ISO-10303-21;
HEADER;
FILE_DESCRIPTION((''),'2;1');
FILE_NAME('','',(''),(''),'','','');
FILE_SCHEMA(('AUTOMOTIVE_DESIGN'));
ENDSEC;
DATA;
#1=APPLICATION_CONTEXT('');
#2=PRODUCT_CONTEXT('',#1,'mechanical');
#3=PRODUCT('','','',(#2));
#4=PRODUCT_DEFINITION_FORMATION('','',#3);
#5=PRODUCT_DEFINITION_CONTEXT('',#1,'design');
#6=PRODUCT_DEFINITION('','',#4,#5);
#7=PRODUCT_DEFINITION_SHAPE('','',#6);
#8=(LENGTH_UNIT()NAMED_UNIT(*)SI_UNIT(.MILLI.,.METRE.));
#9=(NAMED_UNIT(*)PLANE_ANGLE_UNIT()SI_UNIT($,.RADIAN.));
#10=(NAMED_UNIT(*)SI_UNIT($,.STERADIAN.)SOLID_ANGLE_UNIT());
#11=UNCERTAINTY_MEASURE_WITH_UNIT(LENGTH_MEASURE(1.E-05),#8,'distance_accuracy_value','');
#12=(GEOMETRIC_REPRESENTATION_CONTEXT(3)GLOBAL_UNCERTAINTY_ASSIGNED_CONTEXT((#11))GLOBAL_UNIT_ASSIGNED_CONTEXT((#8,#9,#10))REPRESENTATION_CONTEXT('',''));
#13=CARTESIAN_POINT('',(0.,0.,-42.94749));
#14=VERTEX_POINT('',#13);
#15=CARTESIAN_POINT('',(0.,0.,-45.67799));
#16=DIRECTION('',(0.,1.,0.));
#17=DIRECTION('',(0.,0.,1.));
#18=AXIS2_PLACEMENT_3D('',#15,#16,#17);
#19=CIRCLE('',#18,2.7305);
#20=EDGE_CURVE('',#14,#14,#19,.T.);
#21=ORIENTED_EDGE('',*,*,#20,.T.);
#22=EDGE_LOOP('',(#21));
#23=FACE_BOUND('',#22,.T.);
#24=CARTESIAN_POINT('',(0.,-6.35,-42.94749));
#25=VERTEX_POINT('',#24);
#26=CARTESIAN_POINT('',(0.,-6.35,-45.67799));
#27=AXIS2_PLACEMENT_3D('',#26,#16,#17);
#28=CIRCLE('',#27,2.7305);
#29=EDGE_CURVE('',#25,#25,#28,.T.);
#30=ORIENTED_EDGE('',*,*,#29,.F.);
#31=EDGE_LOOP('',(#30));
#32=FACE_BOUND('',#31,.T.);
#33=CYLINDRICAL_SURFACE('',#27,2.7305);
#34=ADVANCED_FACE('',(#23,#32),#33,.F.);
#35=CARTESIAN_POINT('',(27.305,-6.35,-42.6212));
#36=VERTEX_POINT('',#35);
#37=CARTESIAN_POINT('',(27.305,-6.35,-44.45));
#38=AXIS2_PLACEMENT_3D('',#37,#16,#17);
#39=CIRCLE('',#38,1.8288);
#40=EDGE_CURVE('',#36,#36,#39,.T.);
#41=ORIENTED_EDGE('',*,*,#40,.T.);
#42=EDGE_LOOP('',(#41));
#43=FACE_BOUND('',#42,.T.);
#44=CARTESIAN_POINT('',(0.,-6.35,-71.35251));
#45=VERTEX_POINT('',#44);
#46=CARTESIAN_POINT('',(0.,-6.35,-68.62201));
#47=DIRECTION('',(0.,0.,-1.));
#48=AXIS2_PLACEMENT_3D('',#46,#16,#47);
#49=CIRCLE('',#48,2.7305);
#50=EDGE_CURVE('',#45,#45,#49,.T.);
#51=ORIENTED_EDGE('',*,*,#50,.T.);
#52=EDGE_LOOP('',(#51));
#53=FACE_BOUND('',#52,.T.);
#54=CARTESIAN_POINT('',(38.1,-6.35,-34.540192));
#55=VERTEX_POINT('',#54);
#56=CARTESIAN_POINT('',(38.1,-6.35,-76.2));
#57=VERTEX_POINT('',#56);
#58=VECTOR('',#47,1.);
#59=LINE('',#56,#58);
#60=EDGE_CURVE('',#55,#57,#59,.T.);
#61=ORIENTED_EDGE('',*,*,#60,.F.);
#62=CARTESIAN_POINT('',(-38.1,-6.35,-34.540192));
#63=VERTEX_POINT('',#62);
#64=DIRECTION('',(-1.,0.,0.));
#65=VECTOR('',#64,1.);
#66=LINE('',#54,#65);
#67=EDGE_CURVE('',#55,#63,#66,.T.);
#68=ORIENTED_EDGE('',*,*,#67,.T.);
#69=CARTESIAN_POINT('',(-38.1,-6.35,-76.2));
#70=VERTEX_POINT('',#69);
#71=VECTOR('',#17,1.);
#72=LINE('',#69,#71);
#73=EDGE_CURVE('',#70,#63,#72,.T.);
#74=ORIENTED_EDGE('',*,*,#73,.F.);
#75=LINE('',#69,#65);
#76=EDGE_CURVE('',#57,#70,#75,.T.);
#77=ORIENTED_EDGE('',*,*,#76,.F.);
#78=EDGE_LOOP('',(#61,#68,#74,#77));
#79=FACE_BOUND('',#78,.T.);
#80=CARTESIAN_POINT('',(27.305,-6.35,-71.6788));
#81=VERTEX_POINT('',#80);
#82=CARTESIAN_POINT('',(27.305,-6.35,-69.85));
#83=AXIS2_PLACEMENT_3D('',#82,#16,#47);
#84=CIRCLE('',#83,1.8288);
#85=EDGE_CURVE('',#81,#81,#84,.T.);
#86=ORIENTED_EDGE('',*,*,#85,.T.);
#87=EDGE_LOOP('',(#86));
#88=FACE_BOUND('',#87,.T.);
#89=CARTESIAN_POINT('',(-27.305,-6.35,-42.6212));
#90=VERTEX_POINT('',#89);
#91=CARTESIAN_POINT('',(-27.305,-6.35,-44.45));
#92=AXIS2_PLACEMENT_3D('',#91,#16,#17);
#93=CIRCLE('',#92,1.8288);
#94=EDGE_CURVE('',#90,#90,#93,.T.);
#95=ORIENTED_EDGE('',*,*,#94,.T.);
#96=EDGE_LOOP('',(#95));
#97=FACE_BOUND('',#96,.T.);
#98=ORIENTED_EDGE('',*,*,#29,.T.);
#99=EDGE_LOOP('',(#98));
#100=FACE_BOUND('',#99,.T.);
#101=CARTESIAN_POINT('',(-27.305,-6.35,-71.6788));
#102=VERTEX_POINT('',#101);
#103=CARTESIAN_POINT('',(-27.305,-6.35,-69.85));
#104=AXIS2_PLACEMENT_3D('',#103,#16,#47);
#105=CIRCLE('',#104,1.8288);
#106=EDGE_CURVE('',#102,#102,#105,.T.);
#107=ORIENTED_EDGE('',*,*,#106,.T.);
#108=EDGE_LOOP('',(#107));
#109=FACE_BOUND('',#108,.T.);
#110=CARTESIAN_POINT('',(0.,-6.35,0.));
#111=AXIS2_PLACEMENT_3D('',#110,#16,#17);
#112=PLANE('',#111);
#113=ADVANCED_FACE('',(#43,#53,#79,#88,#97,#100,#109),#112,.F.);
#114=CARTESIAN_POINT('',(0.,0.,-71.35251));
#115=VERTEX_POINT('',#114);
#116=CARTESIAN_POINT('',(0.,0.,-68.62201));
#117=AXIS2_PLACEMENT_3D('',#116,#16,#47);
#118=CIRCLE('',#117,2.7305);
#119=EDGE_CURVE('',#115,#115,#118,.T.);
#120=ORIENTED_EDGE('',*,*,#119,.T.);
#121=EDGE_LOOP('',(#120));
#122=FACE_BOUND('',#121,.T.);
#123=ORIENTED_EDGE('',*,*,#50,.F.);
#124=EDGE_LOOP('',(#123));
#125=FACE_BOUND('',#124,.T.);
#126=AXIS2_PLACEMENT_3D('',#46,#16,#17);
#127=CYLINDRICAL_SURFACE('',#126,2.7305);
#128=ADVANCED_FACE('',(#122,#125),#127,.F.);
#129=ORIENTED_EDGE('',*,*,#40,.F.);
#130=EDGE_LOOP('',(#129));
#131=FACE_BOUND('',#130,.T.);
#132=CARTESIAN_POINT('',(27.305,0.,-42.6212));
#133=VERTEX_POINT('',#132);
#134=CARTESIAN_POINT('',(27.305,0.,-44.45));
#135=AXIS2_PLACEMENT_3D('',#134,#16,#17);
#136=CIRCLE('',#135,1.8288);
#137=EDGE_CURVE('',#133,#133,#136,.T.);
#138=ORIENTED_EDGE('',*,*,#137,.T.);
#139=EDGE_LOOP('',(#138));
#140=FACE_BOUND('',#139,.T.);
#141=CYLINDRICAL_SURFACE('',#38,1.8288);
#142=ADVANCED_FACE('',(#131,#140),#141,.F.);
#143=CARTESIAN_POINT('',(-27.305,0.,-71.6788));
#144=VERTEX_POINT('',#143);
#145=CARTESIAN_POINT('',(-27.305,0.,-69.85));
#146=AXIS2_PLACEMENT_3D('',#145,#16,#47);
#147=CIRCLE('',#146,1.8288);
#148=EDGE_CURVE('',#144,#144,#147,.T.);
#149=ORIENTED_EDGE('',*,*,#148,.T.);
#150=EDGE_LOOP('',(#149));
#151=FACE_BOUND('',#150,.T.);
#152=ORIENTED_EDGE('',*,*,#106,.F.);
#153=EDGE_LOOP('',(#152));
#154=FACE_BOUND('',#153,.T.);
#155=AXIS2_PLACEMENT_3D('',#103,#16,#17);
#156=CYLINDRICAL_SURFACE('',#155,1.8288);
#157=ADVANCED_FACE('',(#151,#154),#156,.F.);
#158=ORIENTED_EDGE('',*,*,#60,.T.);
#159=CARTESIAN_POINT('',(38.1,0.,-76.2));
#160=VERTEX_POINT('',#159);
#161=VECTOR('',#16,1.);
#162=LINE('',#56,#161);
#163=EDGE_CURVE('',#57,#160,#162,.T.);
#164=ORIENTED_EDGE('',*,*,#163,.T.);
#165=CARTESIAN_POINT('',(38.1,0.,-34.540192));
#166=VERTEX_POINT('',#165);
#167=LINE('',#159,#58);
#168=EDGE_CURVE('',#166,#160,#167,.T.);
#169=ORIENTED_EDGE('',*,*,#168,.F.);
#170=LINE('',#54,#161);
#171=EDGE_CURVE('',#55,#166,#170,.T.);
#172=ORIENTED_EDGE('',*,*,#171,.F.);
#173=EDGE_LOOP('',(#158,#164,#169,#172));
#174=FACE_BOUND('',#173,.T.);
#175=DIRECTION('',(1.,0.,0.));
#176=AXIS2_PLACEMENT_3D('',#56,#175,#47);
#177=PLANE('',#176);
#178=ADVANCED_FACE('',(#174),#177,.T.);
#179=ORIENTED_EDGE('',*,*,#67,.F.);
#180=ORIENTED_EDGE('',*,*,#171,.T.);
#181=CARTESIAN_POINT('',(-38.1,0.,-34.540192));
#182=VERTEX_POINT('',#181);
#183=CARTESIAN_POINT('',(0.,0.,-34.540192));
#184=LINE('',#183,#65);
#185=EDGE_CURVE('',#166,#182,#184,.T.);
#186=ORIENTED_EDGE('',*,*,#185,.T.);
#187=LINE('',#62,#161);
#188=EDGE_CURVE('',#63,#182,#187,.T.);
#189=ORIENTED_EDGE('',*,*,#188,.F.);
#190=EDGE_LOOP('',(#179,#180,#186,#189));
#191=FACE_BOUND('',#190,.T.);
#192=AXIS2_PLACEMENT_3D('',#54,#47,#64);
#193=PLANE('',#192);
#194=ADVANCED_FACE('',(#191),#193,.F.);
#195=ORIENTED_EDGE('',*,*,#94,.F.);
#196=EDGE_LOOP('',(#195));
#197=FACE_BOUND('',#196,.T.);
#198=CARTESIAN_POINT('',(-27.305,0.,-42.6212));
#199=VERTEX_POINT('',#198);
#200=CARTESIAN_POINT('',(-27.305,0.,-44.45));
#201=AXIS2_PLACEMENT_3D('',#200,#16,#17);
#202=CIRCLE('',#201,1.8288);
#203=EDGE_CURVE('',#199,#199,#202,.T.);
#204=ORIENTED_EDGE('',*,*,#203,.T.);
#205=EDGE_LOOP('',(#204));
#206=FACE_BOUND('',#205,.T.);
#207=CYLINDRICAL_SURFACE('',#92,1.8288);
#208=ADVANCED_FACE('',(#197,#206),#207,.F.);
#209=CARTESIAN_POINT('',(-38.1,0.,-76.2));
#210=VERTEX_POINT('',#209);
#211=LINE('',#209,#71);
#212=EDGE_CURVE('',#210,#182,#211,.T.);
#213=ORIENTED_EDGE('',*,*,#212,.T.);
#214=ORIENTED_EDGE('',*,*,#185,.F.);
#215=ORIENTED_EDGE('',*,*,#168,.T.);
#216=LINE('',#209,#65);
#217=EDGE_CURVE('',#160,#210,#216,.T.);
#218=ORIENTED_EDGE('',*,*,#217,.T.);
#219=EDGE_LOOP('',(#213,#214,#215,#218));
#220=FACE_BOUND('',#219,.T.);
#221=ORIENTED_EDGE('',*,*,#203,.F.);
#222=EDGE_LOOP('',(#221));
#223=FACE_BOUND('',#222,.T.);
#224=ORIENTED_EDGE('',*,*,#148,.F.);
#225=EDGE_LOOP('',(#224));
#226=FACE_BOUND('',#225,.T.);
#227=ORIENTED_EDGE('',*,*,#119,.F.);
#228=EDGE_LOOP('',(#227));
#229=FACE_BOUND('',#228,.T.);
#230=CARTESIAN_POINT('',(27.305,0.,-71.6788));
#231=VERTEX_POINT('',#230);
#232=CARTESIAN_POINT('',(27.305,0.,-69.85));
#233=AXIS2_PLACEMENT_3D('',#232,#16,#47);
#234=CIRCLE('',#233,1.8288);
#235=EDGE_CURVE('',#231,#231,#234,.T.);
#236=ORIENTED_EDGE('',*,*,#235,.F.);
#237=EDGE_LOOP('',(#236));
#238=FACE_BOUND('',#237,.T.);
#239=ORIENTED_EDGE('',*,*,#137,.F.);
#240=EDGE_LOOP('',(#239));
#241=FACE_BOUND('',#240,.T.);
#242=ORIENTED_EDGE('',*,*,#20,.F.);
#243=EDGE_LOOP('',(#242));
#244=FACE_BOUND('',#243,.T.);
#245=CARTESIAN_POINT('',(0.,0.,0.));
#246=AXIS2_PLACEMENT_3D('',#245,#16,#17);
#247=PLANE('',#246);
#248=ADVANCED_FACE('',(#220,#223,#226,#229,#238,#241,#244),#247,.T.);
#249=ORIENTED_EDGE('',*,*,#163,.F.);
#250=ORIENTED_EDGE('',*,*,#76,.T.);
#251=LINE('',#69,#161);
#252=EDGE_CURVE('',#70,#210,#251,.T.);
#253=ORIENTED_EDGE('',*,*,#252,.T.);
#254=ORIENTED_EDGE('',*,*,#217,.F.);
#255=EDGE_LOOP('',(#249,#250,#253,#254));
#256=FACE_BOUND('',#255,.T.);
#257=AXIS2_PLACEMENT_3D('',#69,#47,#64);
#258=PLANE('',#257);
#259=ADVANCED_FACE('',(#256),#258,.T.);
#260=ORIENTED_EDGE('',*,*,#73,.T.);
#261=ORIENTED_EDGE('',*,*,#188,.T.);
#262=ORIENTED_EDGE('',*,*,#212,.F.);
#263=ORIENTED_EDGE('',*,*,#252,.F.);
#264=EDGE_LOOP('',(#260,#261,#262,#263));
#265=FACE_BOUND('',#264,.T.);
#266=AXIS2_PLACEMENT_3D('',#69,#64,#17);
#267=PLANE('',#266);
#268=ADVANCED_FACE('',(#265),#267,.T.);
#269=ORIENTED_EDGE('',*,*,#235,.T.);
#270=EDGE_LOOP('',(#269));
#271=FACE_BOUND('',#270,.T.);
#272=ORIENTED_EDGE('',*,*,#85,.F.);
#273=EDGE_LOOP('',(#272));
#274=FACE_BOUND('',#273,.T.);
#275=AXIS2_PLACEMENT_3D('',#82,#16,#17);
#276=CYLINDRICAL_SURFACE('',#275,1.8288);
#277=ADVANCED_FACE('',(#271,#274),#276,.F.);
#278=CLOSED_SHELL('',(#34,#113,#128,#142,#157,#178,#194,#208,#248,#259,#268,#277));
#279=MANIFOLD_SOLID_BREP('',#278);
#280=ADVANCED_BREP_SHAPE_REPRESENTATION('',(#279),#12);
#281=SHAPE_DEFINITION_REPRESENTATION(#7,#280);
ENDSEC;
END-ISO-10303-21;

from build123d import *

# Parameters (mm, degrees)
SKETCH1_W               = 76.2
SKETCH1_H               = 152.4
SKETCH1_R               = 2.7305
SKETCH1_R_2             = 1.8288
BOSS_EXTRUDE1_DEPTH     = 6.35
SKETCH2_W               = 76.2
SKETCH2_H               = 110.740191545
CUT_EXTRUDE1_DEPTH      = 1
CUT_EXTRUDE1_DEPTH_BACK = 7.35


with BuildPart() as part:
    # Sketch1 → Boss-Extrude1 (new body)
    with BuildSketch(Plane(origin=(0, 0, 0), x_dir=(1, 0, 0), z_dir=(0, 1, 0))):
        Rectangle(SKETCH1_W, SKETCH1_H)
        with Locations((0, 19.05)):
            Circle(SKETCH1_R, mode=Mode.SUBTRACT)
        with Locations((0, -19.05)):
            Circle(SKETCH1_R, mode=Mode.SUBTRACT)
        with Locations((0, -57.15)):
            Circle(SKETCH1_R, mode=Mode.SUBTRACT)
        with Locations((27.305, 44.45)):
            Circle(SKETCH1_R_2, mode=Mode.SUBTRACT)
        with Locations((27.305, 6.35)):
            Circle(SKETCH1_R_2, mode=Mode.SUBTRACT)
        with Locations((27.305, -31.75)):
            Circle(SKETCH1_R_2, mode=Mode.SUBTRACT)
        with Locations((-27.305, 6.35)):
            Circle(SKETCH1_R_2, mode=Mode.SUBTRACT)
        with Locations((-27.305, -31.75)):
            Circle(SKETCH1_R_2, mode=Mode.SUBTRACT)
        with Locations((-27.305, 44.45)):
            Circle(SKETCH1_R_2, mode=Mode.SUBTRACT)
        with Locations((0, 45.6779905)):
            Circle(SKETCH1_R, mode=Mode.SUBTRACT)
        with Locations((27.305, 69.85)):
            Circle(SKETCH1_R_2, mode=Mode.SUBTRACT)
        with Locations((-27.305, 69.85)):
            Circle(SKETCH1_R_2, mode=Mode.SUBTRACT)
        with Locations((0, 68.6220095)):
            Circle(SKETCH1_R, mode=Mode.SUBTRACT)
    extrude(amount=-BOSS_EXTRUDE1_DEPTH)

    # Sketch2 → Cut-Extrude1 (cut, two sides)
    with BuildSketch(Plane(origin=(0, 0, 0), x_dir=(1, 0, 0), z_dir=(0, 1, 0))) as cut_extrude1_sk:
        with Locations((0, -20.829904228)):
            Rectangle(SKETCH2_W, SKETCH2_H)
    extrude(amount=CUT_EXTRUDE1_DEPTH, mode=Mode.SUBTRACT)
    extrude(cut_extrude1_sk.sketch, amount=-CUT_EXTRUDE1_DEPTH_BACK, mode=Mode.SUBTRACT)


solid = part.part
